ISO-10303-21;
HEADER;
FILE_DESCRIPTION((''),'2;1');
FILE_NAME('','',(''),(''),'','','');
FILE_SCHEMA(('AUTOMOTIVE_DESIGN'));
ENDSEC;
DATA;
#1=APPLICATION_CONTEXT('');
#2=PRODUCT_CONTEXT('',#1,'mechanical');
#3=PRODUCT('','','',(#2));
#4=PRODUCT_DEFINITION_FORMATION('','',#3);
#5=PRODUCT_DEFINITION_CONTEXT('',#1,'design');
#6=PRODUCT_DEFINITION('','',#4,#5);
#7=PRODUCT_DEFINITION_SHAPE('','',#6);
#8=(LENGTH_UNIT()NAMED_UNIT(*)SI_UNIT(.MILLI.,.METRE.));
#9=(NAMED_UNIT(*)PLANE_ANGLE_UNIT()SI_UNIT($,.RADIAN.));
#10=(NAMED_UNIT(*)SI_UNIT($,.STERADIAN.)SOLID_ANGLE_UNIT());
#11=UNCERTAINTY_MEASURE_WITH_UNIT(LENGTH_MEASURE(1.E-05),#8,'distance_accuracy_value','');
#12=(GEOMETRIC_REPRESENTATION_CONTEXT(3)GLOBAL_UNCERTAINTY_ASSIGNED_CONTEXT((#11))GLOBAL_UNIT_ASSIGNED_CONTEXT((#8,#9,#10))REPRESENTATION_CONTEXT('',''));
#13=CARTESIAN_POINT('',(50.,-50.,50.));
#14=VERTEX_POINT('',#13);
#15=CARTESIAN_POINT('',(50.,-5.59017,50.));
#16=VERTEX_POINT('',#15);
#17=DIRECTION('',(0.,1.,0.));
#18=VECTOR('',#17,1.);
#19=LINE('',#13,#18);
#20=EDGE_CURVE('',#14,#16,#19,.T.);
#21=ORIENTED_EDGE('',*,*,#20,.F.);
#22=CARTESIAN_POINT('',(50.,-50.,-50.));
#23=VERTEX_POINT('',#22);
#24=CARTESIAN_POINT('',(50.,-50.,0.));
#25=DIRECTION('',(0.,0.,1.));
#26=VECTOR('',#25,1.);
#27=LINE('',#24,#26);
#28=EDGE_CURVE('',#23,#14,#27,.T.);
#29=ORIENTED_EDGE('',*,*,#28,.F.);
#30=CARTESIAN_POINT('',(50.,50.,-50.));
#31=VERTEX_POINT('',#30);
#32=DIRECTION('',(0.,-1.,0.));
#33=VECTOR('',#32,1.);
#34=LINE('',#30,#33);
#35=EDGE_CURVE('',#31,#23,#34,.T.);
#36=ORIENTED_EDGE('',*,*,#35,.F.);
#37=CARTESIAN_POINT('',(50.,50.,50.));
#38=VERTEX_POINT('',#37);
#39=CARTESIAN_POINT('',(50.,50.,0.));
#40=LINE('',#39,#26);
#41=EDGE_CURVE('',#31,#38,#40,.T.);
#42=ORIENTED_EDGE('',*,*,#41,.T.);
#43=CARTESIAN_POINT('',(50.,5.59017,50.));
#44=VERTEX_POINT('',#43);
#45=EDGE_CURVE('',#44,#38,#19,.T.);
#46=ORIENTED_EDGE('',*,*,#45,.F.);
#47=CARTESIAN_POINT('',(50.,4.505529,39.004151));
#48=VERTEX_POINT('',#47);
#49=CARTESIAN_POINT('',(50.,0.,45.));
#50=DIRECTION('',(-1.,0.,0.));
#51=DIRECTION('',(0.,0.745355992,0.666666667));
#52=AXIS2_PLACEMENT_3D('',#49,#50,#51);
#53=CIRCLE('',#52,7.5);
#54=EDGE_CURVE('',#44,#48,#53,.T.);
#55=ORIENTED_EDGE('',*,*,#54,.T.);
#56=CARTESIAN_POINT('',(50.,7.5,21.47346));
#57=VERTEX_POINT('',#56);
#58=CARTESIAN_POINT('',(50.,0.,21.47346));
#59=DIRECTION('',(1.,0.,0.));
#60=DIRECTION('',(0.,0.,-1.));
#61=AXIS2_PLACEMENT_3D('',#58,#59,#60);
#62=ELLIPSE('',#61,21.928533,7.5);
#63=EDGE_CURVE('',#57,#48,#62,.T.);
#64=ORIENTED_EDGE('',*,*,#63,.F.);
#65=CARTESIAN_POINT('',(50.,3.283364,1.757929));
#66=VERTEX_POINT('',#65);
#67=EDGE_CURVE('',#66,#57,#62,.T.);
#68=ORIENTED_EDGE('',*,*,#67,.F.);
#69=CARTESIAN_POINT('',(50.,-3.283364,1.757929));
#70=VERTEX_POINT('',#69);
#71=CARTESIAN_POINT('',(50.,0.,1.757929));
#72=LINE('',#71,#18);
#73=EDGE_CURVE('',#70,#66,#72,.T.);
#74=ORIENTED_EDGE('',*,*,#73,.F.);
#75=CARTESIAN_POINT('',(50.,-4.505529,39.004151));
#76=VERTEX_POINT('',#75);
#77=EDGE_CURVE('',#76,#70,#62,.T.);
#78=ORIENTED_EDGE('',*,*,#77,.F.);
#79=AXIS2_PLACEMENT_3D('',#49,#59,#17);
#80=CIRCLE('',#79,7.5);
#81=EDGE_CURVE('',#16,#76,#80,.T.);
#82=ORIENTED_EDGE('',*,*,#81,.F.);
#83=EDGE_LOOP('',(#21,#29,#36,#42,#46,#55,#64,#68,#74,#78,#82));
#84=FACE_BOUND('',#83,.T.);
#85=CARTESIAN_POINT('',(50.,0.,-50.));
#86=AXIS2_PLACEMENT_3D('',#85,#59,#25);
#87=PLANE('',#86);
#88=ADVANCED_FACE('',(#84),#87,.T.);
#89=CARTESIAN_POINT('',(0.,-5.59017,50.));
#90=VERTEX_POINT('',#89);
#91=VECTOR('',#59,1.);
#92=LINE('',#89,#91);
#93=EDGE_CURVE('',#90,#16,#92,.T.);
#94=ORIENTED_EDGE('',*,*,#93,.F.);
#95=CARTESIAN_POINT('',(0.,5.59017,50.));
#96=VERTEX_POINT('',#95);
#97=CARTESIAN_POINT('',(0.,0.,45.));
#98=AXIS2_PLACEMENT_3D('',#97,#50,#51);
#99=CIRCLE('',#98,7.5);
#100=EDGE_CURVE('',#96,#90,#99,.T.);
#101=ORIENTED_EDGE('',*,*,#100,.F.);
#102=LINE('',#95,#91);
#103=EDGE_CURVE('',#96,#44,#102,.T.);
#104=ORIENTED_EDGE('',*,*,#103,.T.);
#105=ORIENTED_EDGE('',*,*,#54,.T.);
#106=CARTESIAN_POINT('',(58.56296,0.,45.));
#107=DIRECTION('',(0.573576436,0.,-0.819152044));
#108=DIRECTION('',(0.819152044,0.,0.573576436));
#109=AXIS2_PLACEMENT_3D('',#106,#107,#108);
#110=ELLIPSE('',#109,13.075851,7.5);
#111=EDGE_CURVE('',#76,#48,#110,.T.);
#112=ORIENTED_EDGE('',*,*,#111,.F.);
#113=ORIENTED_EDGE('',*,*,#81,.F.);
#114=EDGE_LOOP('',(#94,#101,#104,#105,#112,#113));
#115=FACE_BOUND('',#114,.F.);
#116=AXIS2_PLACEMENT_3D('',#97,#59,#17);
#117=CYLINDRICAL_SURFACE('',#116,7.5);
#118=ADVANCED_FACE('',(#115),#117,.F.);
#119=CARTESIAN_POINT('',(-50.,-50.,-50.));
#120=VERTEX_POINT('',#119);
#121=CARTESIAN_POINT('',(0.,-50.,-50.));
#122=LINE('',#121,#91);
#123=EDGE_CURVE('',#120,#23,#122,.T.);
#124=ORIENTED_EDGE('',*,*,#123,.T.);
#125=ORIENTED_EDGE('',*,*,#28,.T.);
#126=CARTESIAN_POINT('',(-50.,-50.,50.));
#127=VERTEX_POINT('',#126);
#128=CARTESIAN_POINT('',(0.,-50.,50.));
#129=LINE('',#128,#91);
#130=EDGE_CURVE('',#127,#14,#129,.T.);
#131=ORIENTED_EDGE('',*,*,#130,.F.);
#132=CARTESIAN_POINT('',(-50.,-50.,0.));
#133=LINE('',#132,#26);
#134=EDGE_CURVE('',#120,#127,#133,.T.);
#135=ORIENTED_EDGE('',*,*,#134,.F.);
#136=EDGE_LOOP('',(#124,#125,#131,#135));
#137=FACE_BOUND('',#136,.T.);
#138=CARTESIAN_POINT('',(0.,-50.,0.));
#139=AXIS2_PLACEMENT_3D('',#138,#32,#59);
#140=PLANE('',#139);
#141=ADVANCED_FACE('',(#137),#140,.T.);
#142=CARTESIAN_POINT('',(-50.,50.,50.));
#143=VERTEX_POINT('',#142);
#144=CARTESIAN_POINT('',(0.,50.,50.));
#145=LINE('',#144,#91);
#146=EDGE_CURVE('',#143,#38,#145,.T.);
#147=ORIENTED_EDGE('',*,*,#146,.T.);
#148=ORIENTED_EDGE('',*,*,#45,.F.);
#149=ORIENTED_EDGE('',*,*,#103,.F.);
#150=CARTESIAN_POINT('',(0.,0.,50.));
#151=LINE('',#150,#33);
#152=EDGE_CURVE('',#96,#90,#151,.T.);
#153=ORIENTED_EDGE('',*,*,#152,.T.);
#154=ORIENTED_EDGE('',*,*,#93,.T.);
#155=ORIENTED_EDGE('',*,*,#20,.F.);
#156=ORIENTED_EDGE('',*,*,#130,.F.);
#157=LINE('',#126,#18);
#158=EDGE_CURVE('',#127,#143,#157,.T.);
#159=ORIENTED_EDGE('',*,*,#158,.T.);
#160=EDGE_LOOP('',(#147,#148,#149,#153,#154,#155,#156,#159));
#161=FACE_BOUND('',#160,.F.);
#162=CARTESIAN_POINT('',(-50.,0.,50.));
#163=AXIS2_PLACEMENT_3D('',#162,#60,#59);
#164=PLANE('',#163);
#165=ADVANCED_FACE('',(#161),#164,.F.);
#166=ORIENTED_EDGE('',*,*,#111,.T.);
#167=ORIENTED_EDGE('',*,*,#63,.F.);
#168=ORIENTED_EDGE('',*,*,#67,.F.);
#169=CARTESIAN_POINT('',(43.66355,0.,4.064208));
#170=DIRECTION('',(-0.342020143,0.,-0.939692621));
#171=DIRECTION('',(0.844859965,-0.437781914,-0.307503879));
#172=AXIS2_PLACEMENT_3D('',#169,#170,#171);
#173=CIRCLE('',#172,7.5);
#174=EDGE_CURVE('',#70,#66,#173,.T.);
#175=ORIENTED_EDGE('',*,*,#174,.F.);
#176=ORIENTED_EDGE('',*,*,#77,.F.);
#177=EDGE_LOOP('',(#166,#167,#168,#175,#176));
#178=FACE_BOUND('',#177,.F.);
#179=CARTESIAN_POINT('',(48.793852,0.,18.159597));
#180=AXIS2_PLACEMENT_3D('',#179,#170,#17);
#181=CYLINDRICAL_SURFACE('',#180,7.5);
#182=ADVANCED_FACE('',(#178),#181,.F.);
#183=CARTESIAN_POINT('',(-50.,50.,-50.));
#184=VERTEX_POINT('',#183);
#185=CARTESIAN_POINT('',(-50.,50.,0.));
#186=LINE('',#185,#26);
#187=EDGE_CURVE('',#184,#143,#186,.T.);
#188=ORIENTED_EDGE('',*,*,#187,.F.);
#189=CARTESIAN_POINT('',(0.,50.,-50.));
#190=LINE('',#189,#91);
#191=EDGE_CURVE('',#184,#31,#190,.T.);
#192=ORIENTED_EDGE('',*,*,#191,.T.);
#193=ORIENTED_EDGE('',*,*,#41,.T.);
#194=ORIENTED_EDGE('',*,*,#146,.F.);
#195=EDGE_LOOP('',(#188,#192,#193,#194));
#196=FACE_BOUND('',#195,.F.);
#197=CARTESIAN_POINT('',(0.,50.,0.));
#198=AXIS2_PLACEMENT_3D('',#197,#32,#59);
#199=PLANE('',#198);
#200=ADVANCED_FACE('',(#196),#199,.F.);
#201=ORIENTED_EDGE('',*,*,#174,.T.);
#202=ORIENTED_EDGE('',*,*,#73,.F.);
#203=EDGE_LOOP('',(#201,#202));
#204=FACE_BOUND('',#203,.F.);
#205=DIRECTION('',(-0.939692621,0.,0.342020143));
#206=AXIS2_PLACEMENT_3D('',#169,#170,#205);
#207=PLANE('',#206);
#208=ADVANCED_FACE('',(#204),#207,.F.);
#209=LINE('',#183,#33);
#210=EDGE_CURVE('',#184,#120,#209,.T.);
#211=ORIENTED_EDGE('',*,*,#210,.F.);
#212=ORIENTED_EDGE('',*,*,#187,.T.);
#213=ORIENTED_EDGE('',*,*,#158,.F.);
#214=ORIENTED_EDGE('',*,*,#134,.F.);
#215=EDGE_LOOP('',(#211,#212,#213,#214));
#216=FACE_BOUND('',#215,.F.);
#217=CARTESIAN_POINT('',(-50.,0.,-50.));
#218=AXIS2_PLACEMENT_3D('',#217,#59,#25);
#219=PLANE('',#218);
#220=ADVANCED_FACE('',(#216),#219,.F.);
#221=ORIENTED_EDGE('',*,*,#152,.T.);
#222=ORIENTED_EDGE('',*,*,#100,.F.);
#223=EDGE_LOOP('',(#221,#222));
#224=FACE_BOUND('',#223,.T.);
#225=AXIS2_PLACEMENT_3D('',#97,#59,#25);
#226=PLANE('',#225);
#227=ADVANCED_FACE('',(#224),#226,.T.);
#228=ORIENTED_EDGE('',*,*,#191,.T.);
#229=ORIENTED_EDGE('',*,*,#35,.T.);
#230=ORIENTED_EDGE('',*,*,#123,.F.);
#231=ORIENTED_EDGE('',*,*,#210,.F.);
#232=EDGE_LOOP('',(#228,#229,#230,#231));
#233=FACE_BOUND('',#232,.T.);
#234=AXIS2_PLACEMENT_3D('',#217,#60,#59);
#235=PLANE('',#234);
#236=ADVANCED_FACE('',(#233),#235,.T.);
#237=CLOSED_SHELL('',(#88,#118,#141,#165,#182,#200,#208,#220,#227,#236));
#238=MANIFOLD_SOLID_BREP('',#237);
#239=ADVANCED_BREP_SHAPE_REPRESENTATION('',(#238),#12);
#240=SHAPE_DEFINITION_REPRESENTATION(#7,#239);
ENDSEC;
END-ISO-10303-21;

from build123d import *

# Parameters (mm, degrees)
F0_W          = 100
F0_H          = 100
F1_DEPTH      = 50
F1_DEPTH_BACK = 50
F3_R          = 7.5


with BuildPart() as f1:
    # F0 (on Front) → F1 (new body, two sides)
    with BuildSketch(Plane.XZ) as f1_sk:
        Rectangle(F0_W, F0_H)
    extrude(amount=F1_DEPTH)
    extrude(f1_sk.sketch, amount=-F1_DEPTH_BACK)

    # F4: sweep along a path in F2
    with BuildLine(Plane.XZ) as f4_path:
        Line((0, 25), (30, 25))
        Line((30, 25), (24.8696978501, 10.9046106882))
    # F3 (on Right) → F4 (sweep, cut)
    with BuildSketch(Plane.YZ):
        with Locations((0, 45)):
            Circle(F3_R)
    sweep(path=f4_path.line, transition=Transition.RIGHT, mode=Mode.SUBTRACT)


solid = f1.part
